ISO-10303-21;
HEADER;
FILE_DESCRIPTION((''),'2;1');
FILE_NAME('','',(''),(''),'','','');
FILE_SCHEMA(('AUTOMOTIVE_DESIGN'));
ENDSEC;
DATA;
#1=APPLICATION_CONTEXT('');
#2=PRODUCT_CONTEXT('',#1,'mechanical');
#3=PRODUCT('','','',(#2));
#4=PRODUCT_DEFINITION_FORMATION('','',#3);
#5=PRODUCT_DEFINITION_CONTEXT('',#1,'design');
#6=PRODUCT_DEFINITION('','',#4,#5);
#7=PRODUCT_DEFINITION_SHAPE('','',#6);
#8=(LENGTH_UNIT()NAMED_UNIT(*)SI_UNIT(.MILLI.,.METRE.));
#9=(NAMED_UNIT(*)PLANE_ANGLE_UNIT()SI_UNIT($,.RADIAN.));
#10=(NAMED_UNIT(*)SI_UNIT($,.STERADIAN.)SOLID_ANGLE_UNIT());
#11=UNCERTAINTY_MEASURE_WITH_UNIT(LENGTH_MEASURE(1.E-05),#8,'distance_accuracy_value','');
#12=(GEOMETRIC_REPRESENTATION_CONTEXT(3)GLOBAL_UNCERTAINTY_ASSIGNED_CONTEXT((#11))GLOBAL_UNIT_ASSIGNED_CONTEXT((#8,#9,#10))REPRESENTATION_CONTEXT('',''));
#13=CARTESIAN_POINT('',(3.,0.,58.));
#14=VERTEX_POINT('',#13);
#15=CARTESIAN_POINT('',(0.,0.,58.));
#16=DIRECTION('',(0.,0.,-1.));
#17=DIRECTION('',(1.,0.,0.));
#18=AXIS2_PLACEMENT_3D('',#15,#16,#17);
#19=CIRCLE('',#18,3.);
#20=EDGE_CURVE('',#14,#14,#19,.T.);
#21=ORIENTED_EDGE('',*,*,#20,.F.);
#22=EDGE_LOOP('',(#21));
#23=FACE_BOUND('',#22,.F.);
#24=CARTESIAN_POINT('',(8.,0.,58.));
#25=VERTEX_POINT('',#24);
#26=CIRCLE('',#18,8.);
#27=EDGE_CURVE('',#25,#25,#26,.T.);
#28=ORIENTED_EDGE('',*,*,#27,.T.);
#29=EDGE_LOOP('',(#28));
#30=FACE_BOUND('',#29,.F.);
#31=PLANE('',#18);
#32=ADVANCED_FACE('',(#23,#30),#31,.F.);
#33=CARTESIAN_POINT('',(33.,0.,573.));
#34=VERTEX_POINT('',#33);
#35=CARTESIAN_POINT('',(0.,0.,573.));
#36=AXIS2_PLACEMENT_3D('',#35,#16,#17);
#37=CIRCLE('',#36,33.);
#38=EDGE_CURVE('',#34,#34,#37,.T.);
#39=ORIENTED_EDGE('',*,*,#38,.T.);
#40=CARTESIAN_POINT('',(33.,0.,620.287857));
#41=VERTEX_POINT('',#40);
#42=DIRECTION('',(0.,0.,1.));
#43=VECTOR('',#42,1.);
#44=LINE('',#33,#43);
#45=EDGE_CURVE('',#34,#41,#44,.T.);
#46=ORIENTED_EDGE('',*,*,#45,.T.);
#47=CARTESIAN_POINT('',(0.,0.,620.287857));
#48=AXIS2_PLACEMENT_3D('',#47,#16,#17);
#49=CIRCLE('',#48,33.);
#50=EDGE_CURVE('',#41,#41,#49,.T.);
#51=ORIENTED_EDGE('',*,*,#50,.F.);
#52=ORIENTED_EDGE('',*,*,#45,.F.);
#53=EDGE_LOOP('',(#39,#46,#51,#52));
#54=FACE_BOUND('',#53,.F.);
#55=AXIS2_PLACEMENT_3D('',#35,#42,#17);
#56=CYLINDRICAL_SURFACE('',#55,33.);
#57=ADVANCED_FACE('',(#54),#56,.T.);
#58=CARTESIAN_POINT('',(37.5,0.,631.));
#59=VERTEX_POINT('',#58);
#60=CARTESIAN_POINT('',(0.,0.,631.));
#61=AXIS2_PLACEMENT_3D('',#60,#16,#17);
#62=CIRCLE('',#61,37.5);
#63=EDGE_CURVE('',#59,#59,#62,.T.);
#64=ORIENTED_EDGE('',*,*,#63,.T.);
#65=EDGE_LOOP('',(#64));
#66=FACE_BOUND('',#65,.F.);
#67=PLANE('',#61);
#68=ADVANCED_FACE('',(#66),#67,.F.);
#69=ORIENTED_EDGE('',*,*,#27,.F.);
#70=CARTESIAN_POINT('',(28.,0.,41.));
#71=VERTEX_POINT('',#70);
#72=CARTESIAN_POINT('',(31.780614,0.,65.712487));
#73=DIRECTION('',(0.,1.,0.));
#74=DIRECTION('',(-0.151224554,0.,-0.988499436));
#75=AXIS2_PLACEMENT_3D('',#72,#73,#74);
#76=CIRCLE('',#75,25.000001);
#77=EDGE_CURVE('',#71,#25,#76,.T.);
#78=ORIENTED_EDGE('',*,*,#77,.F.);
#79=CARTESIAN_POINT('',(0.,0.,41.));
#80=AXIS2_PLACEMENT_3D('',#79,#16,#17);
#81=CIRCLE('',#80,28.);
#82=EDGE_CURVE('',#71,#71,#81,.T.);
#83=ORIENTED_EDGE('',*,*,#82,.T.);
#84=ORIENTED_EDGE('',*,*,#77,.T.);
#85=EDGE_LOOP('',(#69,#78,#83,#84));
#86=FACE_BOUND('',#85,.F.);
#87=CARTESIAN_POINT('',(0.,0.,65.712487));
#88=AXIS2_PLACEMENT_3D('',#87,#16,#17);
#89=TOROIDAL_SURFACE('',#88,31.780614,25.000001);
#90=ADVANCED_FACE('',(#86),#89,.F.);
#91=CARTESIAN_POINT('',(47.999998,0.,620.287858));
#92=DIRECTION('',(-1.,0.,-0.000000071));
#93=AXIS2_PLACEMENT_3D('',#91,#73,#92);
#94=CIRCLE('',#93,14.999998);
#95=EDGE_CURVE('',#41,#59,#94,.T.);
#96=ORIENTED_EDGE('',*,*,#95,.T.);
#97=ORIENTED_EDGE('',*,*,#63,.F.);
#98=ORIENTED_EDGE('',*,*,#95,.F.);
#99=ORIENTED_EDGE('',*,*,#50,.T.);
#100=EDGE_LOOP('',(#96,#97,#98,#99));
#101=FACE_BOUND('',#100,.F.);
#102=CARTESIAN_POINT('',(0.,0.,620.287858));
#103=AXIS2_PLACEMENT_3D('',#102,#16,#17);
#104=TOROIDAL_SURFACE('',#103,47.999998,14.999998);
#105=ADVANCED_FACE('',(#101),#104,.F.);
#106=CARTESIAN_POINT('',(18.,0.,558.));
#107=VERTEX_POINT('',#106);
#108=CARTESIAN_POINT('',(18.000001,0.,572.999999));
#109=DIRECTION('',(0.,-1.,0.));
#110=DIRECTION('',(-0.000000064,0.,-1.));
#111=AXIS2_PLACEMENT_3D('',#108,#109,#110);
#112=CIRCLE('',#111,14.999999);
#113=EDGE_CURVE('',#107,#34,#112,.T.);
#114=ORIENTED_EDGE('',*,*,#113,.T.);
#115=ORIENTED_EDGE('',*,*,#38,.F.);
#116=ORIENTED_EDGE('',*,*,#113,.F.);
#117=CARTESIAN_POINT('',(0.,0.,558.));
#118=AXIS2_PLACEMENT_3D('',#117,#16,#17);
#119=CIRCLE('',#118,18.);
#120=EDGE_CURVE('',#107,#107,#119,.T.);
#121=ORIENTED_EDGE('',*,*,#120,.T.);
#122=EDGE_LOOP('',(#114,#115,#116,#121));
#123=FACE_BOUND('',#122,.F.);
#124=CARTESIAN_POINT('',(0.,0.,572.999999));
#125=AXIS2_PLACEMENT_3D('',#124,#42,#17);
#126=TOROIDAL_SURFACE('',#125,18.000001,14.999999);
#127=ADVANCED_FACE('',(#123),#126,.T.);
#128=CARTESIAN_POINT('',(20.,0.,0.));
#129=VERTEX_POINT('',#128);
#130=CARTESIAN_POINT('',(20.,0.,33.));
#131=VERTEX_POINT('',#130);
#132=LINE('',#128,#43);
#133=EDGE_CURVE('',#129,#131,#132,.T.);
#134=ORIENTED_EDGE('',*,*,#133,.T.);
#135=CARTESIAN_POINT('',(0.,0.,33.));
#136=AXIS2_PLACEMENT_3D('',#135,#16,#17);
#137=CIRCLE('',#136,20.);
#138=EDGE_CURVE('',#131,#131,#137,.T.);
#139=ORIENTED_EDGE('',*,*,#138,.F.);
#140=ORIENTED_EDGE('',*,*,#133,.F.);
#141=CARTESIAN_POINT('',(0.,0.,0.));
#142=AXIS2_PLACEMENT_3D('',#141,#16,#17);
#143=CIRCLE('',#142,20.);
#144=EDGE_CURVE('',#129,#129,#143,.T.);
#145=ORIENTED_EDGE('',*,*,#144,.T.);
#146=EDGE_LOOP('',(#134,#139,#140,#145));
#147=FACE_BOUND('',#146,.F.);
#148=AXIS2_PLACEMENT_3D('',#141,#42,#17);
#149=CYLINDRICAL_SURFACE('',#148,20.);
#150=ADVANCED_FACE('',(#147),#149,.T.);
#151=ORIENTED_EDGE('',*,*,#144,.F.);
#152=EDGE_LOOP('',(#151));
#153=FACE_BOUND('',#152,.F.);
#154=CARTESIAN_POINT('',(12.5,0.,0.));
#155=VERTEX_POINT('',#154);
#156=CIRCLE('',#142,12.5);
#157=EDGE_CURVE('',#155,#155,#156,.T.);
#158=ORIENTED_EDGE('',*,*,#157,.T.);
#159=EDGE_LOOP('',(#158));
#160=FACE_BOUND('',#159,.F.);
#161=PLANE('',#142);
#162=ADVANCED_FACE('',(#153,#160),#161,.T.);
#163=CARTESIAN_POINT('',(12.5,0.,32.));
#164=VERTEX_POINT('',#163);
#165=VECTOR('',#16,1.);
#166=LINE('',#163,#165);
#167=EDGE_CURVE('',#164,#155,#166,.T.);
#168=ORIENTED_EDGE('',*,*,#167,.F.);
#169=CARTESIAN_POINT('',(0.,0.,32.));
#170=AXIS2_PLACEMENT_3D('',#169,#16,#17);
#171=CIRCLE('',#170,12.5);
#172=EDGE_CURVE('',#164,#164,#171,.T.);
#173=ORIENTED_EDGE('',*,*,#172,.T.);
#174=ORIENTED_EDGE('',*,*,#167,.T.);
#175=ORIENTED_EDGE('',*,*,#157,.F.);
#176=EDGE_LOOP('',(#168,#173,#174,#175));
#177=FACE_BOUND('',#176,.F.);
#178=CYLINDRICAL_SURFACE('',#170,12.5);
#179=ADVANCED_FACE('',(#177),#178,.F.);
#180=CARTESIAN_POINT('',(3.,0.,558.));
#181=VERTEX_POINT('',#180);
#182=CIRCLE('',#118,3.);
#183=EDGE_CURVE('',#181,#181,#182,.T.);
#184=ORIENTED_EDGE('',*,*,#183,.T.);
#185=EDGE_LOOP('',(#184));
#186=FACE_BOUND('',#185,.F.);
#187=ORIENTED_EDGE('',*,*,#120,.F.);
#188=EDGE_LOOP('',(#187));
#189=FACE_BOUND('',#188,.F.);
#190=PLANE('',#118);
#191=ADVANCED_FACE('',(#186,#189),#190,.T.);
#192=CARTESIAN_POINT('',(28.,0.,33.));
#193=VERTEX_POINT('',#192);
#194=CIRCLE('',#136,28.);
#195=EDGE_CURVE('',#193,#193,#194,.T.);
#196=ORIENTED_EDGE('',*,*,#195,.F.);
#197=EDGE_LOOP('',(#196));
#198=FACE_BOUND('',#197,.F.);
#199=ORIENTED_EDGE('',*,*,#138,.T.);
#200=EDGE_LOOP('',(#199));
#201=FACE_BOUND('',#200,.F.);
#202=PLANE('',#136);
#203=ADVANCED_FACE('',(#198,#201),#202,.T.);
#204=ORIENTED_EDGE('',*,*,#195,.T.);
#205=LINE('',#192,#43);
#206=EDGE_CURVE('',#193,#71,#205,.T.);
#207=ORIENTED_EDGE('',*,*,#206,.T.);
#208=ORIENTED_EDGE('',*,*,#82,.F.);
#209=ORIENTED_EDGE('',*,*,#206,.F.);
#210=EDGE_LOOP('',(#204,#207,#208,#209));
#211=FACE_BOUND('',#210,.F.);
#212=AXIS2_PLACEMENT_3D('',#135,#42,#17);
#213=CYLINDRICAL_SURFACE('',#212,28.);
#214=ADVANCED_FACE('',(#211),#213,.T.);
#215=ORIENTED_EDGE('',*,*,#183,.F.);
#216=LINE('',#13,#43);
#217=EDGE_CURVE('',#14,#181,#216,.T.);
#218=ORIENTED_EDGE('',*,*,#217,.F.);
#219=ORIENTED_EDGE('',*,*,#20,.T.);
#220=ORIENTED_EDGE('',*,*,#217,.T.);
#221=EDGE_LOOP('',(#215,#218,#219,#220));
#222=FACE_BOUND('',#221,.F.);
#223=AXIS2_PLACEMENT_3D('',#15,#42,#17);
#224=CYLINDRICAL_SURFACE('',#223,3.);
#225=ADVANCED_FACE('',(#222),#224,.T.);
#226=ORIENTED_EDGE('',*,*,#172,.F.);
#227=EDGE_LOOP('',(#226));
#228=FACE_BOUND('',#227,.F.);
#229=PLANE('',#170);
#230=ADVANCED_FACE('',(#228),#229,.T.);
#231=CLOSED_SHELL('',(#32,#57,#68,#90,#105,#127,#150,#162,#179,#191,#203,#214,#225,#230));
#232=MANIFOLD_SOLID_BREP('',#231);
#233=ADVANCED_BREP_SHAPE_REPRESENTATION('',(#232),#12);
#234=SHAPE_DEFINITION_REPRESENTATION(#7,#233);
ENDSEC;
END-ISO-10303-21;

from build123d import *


with BuildPart() as f1:
    # F0 (on Front) → F1 (revolve)
    with BuildSketch(Plane.XZ):
        with BuildLine():
            Line((0, 631), (0, 32))
            Line((0, 32), (12.5, 32))
            Line((12.5, 32), (12.5, 0))
            Line((12.5, 0), (20, 0))
            Line((20, 0), (20, 33))
            Line((20, 33), (28, 33))
            Line((28, 33), (28, 41))
            ThreePointArc((28, 41), (15.589403, 46.664003), (8, 58))
            Line((8, 58), (3, 58))
            Line((3, 58), (3, 558))
            Line((3, 558), (18, 558))
            ThreePointArc((18, 558), (28.606602, 562.393398), (33, 573))
            Line((33, 573), (33, 620.287857))
            ThreePointArc((33, 620.287857), (34.170683, 626.097332), (37.5, 631))
            Line((37.5, 631), (0, 631))
        make_face()
    revolve(axis=Axis((0, 0, 331.5), (0, 0, -1)))


solid = f1.part
